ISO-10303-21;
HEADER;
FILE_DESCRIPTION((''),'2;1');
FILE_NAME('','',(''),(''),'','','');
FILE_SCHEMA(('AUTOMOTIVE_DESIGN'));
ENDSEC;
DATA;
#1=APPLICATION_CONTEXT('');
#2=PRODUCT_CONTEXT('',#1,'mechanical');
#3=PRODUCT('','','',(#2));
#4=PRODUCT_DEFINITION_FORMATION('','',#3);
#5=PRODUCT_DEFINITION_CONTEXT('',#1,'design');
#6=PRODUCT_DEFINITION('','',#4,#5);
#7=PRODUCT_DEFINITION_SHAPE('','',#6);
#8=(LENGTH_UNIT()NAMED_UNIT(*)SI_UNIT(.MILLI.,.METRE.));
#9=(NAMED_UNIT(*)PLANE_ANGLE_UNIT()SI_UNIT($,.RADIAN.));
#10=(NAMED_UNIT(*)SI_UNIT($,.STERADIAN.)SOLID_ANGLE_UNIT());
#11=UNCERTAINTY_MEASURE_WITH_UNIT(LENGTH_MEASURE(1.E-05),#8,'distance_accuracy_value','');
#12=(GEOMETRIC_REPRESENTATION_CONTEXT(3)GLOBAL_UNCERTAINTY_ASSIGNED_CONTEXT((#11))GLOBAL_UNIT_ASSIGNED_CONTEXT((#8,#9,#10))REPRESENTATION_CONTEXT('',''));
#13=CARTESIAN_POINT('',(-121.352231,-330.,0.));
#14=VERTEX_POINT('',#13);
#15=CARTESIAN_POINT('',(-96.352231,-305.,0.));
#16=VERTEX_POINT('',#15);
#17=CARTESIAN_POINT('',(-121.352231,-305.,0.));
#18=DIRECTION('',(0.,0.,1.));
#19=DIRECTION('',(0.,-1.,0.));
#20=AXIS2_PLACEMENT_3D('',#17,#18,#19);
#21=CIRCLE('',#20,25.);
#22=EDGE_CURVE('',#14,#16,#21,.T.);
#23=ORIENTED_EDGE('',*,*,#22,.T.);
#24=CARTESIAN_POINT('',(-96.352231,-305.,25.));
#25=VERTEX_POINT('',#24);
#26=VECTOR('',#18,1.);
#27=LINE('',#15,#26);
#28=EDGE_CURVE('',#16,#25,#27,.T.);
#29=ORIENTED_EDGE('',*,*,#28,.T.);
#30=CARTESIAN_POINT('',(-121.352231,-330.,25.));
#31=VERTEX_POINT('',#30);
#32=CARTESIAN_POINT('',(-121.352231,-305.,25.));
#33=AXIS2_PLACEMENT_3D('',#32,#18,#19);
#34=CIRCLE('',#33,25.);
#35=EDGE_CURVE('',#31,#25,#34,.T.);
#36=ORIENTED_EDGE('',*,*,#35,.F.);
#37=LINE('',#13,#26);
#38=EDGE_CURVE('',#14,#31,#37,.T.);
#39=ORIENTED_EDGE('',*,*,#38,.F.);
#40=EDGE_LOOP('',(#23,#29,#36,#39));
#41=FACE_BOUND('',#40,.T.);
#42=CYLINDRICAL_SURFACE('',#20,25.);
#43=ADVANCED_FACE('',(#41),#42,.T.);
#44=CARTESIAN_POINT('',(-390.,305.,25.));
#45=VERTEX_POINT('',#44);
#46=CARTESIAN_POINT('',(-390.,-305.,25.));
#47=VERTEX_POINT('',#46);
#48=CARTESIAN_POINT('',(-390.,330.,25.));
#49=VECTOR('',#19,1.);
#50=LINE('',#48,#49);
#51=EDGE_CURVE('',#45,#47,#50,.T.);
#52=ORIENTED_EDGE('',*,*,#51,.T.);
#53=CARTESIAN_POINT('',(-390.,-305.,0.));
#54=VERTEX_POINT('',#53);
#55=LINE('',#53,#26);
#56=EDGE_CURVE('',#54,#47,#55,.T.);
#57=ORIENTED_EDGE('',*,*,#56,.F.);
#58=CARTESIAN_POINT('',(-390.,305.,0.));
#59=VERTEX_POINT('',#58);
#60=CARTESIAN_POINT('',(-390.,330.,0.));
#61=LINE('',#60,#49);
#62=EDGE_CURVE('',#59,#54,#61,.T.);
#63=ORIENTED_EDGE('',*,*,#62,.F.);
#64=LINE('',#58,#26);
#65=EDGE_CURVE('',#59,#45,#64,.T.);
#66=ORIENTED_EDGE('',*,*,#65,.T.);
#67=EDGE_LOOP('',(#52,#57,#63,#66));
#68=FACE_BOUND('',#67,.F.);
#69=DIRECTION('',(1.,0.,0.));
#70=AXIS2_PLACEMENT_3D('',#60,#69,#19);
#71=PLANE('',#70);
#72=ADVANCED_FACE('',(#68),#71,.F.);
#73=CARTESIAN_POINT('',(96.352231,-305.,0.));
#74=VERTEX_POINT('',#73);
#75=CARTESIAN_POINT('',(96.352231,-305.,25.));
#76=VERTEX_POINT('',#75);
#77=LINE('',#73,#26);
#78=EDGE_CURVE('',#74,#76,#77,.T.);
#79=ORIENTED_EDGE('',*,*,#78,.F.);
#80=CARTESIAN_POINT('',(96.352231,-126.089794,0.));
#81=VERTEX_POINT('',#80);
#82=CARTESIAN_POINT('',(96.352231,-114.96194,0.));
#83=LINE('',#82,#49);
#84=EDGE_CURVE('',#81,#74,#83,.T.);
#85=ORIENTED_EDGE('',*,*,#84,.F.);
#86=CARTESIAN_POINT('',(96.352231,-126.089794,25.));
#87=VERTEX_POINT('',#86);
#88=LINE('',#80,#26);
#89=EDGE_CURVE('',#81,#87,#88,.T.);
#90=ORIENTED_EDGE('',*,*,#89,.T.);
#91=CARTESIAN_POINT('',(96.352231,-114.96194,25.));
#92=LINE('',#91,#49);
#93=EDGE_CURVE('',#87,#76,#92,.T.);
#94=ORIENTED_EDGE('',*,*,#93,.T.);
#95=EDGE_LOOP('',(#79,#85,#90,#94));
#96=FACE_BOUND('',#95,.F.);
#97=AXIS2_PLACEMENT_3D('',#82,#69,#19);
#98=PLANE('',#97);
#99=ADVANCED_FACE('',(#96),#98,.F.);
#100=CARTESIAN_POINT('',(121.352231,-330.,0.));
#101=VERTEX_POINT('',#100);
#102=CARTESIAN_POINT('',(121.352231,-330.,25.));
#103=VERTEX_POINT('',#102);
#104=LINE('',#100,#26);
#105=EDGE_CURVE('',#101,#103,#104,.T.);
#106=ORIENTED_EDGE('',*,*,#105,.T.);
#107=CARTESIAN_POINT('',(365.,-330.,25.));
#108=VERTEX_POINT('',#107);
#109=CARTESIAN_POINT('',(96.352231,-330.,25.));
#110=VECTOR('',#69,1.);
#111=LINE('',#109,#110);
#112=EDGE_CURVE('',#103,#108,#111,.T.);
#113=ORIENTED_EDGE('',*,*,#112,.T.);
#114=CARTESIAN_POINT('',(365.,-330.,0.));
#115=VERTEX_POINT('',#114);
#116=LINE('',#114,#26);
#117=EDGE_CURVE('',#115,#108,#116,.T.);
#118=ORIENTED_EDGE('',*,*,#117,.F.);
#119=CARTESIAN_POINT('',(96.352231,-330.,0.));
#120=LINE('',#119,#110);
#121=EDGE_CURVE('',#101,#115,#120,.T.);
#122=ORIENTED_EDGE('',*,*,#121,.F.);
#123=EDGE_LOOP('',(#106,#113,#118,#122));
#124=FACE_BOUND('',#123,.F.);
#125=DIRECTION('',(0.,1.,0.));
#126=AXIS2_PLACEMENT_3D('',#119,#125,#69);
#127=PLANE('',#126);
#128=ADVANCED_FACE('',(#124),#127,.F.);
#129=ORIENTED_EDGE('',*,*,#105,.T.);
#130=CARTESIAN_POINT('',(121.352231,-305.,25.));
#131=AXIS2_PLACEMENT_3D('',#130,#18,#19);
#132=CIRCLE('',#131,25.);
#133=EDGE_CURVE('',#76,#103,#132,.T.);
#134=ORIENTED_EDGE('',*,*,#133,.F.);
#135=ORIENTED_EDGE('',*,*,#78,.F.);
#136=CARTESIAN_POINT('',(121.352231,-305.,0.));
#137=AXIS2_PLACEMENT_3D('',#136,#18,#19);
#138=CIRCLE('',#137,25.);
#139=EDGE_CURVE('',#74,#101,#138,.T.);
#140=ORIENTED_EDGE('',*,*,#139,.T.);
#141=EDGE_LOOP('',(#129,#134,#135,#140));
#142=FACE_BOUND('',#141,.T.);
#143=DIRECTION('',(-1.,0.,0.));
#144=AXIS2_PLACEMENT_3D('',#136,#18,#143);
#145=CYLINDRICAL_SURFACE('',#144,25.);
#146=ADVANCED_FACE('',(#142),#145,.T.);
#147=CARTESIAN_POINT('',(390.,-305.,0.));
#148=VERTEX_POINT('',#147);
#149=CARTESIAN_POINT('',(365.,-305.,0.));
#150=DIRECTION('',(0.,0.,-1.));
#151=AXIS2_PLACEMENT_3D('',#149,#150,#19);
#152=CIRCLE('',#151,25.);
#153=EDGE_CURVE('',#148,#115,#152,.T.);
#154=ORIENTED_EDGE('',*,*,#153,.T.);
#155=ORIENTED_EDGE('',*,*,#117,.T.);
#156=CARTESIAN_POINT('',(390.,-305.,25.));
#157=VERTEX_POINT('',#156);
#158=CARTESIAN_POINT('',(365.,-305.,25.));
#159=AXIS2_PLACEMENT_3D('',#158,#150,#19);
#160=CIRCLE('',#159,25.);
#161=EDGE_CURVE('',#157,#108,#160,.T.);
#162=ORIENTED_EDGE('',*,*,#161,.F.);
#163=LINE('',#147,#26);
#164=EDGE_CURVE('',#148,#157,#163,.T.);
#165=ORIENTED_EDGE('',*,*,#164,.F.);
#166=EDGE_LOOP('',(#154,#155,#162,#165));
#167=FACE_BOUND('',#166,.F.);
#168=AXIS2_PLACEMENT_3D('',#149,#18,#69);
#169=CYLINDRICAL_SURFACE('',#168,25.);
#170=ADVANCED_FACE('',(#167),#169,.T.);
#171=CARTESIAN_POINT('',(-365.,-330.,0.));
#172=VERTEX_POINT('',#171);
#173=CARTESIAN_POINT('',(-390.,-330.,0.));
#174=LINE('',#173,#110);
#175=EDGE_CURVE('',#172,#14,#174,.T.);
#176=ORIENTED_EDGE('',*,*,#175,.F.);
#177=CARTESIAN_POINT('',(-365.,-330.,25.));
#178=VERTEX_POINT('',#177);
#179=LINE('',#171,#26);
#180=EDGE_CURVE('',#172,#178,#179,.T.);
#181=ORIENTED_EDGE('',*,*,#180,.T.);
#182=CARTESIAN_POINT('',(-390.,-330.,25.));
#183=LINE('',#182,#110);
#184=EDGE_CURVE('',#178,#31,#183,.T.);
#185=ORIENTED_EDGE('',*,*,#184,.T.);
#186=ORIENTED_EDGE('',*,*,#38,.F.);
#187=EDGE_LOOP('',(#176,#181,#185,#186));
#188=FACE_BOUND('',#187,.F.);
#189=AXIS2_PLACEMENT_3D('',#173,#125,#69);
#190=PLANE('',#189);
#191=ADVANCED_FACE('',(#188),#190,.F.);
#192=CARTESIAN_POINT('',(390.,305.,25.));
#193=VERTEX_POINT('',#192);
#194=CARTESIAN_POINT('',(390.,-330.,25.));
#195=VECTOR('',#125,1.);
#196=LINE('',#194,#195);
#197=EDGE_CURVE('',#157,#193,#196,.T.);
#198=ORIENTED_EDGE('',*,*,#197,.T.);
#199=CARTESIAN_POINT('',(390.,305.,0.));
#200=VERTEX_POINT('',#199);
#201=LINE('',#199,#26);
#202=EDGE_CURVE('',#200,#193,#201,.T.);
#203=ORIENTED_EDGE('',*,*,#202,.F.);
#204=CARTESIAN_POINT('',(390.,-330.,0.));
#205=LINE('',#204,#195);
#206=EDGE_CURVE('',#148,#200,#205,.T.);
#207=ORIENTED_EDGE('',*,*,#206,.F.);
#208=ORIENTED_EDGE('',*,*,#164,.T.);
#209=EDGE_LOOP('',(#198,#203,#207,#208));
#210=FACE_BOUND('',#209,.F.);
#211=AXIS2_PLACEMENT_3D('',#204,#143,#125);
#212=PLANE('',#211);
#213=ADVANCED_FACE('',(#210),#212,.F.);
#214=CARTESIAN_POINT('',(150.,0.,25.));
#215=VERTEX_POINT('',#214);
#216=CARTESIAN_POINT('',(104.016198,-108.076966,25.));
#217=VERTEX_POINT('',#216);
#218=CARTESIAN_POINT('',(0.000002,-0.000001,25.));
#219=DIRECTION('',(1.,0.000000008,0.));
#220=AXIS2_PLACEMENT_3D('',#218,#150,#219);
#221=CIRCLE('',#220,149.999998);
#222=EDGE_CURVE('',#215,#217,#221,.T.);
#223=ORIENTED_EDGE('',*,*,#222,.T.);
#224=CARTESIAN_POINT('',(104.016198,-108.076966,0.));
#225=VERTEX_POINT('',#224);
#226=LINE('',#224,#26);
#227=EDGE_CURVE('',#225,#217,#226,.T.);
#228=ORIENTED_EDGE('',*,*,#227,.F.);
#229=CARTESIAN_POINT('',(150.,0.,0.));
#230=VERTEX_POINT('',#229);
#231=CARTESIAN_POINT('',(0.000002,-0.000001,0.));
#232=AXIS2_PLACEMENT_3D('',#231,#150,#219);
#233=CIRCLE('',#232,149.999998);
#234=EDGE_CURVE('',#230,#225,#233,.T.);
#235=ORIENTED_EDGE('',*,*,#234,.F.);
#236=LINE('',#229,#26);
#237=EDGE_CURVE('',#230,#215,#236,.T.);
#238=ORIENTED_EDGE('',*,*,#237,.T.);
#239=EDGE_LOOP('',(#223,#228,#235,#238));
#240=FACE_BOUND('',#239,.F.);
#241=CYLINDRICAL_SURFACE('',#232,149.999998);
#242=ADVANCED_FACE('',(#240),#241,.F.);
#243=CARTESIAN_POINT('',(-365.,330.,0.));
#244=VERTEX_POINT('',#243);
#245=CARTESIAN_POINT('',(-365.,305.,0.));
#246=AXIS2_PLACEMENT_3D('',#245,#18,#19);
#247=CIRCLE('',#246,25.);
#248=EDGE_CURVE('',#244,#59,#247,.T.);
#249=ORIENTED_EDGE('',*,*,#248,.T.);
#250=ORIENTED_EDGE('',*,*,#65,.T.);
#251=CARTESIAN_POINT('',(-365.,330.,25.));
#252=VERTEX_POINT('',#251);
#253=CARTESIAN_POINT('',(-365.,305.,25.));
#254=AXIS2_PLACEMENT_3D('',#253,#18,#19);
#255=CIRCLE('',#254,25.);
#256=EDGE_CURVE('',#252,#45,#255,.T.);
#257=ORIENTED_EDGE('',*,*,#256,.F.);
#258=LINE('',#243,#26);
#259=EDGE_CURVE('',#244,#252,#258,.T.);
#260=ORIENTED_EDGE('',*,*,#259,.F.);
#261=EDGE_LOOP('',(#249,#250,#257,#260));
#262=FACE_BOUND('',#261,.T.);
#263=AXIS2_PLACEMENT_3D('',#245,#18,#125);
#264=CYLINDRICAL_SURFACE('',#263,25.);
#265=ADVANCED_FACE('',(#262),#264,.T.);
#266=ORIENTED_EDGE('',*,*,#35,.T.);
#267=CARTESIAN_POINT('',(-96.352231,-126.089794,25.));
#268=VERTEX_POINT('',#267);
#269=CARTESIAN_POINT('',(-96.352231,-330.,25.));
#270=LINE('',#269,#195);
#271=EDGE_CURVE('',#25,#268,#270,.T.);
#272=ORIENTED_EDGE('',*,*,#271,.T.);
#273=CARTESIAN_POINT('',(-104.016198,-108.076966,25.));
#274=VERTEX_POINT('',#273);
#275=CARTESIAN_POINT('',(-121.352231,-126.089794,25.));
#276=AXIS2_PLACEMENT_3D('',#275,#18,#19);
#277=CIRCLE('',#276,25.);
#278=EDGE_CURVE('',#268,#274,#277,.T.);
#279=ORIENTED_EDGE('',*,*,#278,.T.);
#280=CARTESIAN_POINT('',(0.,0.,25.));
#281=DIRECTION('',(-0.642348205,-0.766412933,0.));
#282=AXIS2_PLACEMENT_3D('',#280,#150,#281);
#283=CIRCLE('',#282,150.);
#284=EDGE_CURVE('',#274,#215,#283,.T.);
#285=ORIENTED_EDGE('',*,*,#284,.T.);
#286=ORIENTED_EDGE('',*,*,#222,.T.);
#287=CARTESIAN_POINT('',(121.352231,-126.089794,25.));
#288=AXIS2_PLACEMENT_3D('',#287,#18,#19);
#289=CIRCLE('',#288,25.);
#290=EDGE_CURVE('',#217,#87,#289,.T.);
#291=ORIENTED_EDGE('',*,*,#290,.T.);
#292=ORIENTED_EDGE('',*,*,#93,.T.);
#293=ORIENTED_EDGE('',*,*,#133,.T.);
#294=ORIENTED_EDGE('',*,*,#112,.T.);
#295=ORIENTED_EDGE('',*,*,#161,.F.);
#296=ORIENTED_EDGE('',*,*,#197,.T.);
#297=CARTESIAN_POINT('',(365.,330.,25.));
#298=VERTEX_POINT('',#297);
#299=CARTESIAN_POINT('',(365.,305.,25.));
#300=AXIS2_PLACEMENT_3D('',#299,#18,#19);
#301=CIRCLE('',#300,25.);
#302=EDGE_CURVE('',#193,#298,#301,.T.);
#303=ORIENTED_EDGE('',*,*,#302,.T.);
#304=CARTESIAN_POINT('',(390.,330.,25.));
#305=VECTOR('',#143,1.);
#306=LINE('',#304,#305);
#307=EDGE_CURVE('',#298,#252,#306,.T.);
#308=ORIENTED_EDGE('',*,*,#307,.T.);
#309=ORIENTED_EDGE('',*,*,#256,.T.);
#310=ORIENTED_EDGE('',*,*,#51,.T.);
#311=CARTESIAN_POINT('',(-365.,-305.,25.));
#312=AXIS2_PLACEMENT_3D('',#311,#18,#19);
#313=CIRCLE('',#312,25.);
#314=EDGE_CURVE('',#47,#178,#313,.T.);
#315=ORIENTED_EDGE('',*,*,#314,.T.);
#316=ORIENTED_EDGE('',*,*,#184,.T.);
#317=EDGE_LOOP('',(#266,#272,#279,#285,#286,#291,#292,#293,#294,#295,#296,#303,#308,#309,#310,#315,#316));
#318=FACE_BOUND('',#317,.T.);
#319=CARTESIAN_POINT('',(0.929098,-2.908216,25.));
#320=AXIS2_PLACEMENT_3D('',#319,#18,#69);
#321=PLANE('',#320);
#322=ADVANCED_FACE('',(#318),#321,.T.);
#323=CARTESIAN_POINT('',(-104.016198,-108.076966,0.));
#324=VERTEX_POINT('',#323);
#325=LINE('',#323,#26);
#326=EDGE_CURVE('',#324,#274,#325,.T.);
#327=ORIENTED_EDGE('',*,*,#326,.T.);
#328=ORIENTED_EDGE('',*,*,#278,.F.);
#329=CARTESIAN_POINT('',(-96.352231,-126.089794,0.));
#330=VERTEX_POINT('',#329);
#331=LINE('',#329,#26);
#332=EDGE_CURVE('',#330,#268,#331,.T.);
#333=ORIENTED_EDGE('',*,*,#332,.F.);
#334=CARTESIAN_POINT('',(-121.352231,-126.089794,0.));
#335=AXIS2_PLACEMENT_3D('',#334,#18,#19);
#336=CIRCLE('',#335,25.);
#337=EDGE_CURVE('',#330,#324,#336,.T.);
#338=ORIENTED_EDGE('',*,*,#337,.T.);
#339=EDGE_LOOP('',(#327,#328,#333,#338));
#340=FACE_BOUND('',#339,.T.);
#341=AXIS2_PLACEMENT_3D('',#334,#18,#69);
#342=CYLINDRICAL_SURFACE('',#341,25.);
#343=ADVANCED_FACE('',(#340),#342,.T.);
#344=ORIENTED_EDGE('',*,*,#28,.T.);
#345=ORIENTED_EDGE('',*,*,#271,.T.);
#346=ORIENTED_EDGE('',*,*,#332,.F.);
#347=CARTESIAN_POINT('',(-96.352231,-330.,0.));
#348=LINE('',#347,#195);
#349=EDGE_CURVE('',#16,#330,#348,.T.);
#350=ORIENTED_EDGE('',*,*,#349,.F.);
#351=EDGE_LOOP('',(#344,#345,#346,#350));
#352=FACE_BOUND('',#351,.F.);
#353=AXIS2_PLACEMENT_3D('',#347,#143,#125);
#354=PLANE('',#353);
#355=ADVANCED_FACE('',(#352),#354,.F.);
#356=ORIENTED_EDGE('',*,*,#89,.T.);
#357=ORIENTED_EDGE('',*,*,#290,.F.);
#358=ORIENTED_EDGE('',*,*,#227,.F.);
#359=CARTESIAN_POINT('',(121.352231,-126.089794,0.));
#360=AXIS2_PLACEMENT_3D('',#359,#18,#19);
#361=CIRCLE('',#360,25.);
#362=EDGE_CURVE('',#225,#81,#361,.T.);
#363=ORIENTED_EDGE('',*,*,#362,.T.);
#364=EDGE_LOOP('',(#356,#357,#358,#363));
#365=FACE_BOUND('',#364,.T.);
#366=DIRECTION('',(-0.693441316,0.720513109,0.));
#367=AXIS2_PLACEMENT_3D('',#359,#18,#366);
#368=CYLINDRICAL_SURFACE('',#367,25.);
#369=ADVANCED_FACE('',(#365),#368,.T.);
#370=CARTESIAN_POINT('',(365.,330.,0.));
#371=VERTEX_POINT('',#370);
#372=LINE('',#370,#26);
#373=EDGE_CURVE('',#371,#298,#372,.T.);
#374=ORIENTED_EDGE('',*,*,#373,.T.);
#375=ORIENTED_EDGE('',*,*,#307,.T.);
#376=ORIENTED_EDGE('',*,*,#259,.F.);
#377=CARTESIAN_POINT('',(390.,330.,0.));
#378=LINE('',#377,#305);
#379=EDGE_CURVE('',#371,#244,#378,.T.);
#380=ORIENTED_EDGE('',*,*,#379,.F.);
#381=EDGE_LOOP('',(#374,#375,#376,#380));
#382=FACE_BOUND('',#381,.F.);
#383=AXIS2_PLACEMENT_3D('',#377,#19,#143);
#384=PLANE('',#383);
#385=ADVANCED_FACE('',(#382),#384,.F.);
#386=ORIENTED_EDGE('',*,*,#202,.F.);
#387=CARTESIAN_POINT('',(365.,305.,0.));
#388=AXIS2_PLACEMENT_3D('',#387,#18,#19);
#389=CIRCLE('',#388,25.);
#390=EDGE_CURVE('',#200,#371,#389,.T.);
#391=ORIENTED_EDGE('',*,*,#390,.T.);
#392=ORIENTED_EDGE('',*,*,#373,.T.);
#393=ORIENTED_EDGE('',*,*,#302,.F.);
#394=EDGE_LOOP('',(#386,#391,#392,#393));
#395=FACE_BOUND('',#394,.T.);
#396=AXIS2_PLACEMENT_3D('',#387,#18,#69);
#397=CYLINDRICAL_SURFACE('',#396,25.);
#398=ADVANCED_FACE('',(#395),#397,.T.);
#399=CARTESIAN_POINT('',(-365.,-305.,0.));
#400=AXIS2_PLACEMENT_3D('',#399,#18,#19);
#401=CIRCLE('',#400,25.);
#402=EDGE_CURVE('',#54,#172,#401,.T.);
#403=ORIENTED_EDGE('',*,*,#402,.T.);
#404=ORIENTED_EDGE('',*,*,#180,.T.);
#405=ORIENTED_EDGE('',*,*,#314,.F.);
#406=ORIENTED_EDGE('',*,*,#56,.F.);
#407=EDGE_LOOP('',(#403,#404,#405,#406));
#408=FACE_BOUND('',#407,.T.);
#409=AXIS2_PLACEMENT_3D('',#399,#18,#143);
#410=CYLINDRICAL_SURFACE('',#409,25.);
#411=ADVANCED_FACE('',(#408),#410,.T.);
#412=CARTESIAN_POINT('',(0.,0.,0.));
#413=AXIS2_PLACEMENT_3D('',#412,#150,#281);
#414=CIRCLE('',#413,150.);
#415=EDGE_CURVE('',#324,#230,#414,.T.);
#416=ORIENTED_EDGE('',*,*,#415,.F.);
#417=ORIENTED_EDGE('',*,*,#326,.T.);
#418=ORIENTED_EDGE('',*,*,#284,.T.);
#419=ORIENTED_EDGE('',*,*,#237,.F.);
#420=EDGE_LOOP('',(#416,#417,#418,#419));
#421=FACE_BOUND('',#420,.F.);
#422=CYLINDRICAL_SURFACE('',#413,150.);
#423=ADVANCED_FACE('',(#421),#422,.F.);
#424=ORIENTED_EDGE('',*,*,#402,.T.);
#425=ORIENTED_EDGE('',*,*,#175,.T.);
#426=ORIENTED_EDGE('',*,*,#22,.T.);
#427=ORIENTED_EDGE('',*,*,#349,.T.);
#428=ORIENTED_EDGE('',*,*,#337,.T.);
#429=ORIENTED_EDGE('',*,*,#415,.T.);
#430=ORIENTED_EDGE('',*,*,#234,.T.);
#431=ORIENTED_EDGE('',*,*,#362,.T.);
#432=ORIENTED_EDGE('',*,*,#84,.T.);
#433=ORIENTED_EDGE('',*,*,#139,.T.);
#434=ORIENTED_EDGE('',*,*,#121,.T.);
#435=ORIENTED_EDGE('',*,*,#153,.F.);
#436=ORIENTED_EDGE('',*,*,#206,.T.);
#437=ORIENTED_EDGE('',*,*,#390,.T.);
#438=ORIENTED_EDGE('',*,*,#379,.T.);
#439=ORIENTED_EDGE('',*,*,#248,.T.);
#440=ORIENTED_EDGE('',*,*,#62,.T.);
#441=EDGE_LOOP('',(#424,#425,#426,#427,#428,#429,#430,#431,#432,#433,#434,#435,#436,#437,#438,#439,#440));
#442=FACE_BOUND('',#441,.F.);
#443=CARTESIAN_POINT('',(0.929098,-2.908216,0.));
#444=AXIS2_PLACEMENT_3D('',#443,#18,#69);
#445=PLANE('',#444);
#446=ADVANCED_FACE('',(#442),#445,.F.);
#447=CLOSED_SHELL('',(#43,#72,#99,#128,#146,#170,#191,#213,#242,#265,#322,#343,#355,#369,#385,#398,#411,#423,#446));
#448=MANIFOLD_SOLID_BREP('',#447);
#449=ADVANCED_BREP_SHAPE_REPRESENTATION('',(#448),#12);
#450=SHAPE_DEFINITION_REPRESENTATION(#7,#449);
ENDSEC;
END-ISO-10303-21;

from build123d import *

# Parameters (mm, degrees)
F1_DEPTH = 25
F2_R     = 25


with BuildPart() as f1:
    # F0 (on Top) → F1 (new body)
    with BuildSketch(Plane.XY):
        with BuildLine():
            Line((390, -330), (390, 330))
            Line((390, 330), (-390, 330))
            Line((-390, 330), (-390, -330))
            Line((-390, -330), (-96.352231, -330))
            Line((-96.352231, -330), (-96.352231, -114.96194))
            ThreePointArc((-96.352231, -114.96194), (-63.431717, 135.927986), (150, 0))
            ThreePointArc((150, 0), (135.927986, -63.431717), (96.352231, -114.96194))
            Line((96.352231, -114.96194), (96.352231, -330))
            Line((96.352231, -330), (390, -330))
        make_face()
    extrude(amount=F1_DEPTH)

    # F2
    f2_edges = [f1.edges().sort_by_distance(p)[0] for p in [
        (-96.352231, -114.96194, 12.5),
        (96.352231, -114.96194, 12.5),
        (96.352231, -330, 12.5),
        (390, -330, 12.5),
        (-96.352231, -330, 12.5),
        (-390, -330, 12.5),
        (390, 330, 12.5),
        (-390, 330, 12.5),
    ]]
    fillet(f2_edges, radius=F2_R)


solid = f1.part
